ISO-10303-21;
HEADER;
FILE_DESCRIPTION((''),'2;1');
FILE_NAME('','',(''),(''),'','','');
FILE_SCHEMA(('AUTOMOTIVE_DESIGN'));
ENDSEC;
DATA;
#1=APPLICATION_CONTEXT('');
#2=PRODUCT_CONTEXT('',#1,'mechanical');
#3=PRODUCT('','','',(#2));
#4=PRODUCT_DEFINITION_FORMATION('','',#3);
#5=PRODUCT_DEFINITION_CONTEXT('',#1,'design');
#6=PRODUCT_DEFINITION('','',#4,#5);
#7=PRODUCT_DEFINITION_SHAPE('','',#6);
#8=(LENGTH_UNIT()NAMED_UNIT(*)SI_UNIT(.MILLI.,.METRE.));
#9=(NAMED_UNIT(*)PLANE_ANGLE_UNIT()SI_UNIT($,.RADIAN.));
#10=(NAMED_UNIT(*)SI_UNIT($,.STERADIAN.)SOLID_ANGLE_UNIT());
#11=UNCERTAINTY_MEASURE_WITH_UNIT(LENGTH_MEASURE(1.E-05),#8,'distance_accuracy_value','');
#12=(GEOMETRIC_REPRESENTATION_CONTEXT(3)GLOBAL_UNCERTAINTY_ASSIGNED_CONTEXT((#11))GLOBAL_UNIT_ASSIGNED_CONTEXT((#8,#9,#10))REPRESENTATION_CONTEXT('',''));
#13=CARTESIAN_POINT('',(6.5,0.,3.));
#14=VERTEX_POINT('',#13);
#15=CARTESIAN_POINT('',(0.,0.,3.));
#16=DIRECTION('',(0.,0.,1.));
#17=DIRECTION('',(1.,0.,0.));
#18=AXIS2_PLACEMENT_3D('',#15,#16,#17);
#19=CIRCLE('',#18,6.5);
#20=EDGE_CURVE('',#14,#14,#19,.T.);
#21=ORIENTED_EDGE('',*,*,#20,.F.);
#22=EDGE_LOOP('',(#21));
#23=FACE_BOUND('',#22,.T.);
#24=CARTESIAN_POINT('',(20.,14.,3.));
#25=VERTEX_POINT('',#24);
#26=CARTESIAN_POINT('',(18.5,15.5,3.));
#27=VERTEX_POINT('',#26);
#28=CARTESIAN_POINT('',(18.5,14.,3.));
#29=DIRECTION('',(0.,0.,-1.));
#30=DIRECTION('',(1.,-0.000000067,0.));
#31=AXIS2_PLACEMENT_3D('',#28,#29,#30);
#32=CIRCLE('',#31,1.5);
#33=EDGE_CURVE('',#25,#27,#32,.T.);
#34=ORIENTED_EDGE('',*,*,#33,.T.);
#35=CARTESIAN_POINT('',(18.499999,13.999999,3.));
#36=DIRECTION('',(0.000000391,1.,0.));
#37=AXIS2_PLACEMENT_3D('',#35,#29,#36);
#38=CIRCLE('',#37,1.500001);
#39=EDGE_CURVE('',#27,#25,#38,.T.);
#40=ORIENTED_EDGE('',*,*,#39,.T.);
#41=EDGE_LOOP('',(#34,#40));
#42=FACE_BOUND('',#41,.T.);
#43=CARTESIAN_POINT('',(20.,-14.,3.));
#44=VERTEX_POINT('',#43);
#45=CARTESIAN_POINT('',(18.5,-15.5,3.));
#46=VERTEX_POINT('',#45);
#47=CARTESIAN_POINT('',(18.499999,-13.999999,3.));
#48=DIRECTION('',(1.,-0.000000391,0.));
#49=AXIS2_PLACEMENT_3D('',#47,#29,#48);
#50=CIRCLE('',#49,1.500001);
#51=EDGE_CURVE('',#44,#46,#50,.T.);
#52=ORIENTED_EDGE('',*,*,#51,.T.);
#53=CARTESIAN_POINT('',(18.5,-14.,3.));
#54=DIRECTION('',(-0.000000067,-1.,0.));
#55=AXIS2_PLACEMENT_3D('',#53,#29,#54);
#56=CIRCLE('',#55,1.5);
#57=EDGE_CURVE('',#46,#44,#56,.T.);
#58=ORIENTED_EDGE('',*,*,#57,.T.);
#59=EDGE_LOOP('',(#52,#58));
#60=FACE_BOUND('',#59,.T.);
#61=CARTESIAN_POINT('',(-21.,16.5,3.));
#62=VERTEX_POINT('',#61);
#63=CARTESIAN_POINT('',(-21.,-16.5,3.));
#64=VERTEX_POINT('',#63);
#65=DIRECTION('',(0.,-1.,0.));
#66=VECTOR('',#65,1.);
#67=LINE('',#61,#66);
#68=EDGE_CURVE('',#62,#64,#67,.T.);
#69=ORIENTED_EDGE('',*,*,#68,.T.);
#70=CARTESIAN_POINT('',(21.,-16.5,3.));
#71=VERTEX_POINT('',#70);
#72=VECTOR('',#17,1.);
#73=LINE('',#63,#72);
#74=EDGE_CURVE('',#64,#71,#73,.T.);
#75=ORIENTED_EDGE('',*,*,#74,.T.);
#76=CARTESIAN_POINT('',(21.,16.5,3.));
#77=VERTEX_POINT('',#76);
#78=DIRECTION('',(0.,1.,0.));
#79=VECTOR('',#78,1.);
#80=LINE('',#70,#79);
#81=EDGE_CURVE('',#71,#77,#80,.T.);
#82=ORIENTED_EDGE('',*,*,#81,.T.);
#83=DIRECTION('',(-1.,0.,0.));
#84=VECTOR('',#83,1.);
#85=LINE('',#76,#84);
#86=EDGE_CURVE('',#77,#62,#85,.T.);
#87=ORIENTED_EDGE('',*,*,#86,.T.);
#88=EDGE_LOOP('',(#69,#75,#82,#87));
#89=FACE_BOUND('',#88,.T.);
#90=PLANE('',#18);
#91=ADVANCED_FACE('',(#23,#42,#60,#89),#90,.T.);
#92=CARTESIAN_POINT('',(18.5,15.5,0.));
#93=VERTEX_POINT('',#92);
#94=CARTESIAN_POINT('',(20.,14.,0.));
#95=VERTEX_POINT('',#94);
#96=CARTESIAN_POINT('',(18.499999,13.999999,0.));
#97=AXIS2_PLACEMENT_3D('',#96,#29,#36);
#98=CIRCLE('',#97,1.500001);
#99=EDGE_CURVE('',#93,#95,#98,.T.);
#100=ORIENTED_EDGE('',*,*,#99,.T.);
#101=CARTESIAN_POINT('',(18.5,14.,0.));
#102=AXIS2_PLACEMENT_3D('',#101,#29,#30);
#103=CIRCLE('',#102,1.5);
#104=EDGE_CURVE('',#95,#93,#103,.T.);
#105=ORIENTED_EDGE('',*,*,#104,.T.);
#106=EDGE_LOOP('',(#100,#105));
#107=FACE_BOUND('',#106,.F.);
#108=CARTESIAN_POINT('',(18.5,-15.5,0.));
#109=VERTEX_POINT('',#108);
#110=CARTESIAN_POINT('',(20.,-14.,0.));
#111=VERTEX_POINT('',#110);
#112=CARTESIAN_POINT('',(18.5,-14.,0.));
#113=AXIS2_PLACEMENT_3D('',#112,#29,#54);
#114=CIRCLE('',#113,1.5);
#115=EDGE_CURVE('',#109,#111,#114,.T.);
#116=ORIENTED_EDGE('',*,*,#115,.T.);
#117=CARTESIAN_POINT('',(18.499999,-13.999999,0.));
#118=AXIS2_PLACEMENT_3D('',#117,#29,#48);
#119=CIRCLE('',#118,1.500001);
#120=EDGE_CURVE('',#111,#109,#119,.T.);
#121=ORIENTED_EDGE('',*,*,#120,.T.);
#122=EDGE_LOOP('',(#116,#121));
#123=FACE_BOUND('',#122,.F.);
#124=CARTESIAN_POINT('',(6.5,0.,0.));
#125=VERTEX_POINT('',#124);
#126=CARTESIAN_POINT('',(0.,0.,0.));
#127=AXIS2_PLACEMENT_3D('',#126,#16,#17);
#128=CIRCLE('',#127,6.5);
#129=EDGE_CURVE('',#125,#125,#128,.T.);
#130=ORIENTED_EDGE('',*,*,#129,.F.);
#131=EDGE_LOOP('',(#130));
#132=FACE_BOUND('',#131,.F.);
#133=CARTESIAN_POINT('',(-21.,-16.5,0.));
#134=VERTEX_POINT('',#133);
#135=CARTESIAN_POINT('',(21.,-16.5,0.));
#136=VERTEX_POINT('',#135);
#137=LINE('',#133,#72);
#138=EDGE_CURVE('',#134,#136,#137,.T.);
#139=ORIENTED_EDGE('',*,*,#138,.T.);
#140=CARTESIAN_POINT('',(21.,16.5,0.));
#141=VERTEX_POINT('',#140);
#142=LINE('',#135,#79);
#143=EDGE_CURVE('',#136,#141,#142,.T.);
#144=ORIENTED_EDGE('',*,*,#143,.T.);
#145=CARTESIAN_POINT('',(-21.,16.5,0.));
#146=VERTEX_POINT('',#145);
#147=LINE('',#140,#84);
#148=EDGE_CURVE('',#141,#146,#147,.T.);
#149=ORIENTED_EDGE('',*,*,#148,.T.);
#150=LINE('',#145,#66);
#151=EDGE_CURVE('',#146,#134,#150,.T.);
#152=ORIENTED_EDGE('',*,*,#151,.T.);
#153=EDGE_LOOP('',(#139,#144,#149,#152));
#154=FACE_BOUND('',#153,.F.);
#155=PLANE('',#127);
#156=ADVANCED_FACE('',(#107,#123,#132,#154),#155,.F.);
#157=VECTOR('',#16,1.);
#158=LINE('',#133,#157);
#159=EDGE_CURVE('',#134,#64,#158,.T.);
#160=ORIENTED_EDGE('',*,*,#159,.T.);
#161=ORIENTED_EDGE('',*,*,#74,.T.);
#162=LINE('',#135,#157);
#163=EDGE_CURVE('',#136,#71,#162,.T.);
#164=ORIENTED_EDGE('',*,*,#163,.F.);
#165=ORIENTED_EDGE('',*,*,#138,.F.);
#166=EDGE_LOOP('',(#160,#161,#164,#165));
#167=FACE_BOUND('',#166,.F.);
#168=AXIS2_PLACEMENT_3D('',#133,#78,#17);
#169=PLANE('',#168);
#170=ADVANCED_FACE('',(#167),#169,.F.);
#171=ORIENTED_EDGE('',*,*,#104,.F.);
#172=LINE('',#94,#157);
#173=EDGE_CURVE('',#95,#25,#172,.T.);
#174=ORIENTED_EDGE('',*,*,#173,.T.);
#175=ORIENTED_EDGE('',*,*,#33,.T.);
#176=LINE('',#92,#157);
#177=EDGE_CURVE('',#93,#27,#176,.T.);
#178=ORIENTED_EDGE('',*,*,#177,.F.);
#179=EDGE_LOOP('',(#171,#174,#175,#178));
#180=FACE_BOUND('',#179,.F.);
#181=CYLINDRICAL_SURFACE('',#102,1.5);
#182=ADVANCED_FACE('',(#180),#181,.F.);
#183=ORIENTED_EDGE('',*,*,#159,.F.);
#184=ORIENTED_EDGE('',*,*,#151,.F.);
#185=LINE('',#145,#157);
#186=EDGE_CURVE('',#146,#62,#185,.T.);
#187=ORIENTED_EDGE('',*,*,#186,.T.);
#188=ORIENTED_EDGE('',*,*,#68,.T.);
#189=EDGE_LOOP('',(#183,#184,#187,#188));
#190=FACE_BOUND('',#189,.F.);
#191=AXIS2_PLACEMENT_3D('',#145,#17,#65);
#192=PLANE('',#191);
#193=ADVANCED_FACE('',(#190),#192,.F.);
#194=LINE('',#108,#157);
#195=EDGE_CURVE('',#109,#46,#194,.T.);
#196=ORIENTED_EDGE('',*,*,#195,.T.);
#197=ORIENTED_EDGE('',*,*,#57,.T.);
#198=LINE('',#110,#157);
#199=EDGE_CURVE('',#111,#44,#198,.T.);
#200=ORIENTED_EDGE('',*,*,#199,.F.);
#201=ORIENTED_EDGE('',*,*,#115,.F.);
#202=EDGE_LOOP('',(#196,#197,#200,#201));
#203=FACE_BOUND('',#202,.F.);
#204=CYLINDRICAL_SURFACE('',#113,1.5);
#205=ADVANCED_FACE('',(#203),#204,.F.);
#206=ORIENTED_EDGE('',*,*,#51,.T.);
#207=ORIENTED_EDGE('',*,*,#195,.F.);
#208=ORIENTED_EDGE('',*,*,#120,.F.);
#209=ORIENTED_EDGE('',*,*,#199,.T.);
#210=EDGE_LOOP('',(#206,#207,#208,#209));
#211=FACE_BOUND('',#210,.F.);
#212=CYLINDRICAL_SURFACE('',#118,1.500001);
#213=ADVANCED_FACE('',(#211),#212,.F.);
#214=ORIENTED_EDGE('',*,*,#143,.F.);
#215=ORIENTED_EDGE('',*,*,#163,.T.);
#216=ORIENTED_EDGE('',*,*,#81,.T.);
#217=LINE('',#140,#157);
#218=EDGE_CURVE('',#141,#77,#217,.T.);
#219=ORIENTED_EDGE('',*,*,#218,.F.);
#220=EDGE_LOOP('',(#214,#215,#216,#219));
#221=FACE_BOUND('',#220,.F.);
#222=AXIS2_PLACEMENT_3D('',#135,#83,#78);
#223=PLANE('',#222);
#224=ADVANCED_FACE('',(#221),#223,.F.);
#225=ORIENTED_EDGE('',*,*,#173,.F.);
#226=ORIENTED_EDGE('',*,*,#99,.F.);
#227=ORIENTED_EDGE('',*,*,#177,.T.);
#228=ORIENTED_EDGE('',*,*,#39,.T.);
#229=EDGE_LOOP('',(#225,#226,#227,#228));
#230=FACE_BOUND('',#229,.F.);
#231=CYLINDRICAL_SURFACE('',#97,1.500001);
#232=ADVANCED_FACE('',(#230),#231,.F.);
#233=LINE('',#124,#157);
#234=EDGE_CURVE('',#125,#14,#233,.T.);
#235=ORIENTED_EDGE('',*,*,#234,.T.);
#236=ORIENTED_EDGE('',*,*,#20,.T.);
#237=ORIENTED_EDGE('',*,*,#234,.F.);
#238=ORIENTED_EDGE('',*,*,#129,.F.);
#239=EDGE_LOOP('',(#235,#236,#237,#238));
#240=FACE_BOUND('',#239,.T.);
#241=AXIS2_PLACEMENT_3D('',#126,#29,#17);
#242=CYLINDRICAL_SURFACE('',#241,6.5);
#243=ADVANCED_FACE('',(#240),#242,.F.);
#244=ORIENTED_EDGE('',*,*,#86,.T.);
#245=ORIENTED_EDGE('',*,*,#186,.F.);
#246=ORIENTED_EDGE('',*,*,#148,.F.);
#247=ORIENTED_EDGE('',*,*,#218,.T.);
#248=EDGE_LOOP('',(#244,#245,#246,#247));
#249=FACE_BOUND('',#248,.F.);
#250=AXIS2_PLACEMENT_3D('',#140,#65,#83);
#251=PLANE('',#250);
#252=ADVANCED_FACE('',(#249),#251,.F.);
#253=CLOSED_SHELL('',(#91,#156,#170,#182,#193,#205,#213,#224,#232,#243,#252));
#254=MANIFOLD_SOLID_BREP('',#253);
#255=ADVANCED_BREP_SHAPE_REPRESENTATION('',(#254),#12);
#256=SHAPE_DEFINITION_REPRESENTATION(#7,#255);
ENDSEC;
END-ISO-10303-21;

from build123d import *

# Parameters (mm, degrees)
F0_R     = 6.5
F1_DEPTH = 3


with BuildPart() as f1:
    # F0 (on Top) → F1 (new body)
    with BuildSketch(Plane.XY):
        Polygon((21, -16.5), (21, 16.5), (18.5, 16.5), (-21, 16.5), (-21, -16.5), (18.5, -16.5), align=None)
        with BuildLine():
            ThreePointArc((20, -14), (19.56066, -15.06066), (18.5, -15.5))
            ThreePointArc((18.5, -15.5), (17.43934, -12.93934), (20, -14))
        make_face(mode=Mode.SUBTRACT)
        Circle(F0_R, mode=Mode.SUBTRACT)
        with BuildLine():
            ThreePointArc((20, 14), (17.43934, 12.93934), (18.5, 15.5))
            ThreePointArc((18.5, 15.5), (19.56066, 15.06066), (20, 14))
        make_face(mode=Mode.SUBTRACT)
    extrude(amount=F1_DEPTH)


solid = f1.part
